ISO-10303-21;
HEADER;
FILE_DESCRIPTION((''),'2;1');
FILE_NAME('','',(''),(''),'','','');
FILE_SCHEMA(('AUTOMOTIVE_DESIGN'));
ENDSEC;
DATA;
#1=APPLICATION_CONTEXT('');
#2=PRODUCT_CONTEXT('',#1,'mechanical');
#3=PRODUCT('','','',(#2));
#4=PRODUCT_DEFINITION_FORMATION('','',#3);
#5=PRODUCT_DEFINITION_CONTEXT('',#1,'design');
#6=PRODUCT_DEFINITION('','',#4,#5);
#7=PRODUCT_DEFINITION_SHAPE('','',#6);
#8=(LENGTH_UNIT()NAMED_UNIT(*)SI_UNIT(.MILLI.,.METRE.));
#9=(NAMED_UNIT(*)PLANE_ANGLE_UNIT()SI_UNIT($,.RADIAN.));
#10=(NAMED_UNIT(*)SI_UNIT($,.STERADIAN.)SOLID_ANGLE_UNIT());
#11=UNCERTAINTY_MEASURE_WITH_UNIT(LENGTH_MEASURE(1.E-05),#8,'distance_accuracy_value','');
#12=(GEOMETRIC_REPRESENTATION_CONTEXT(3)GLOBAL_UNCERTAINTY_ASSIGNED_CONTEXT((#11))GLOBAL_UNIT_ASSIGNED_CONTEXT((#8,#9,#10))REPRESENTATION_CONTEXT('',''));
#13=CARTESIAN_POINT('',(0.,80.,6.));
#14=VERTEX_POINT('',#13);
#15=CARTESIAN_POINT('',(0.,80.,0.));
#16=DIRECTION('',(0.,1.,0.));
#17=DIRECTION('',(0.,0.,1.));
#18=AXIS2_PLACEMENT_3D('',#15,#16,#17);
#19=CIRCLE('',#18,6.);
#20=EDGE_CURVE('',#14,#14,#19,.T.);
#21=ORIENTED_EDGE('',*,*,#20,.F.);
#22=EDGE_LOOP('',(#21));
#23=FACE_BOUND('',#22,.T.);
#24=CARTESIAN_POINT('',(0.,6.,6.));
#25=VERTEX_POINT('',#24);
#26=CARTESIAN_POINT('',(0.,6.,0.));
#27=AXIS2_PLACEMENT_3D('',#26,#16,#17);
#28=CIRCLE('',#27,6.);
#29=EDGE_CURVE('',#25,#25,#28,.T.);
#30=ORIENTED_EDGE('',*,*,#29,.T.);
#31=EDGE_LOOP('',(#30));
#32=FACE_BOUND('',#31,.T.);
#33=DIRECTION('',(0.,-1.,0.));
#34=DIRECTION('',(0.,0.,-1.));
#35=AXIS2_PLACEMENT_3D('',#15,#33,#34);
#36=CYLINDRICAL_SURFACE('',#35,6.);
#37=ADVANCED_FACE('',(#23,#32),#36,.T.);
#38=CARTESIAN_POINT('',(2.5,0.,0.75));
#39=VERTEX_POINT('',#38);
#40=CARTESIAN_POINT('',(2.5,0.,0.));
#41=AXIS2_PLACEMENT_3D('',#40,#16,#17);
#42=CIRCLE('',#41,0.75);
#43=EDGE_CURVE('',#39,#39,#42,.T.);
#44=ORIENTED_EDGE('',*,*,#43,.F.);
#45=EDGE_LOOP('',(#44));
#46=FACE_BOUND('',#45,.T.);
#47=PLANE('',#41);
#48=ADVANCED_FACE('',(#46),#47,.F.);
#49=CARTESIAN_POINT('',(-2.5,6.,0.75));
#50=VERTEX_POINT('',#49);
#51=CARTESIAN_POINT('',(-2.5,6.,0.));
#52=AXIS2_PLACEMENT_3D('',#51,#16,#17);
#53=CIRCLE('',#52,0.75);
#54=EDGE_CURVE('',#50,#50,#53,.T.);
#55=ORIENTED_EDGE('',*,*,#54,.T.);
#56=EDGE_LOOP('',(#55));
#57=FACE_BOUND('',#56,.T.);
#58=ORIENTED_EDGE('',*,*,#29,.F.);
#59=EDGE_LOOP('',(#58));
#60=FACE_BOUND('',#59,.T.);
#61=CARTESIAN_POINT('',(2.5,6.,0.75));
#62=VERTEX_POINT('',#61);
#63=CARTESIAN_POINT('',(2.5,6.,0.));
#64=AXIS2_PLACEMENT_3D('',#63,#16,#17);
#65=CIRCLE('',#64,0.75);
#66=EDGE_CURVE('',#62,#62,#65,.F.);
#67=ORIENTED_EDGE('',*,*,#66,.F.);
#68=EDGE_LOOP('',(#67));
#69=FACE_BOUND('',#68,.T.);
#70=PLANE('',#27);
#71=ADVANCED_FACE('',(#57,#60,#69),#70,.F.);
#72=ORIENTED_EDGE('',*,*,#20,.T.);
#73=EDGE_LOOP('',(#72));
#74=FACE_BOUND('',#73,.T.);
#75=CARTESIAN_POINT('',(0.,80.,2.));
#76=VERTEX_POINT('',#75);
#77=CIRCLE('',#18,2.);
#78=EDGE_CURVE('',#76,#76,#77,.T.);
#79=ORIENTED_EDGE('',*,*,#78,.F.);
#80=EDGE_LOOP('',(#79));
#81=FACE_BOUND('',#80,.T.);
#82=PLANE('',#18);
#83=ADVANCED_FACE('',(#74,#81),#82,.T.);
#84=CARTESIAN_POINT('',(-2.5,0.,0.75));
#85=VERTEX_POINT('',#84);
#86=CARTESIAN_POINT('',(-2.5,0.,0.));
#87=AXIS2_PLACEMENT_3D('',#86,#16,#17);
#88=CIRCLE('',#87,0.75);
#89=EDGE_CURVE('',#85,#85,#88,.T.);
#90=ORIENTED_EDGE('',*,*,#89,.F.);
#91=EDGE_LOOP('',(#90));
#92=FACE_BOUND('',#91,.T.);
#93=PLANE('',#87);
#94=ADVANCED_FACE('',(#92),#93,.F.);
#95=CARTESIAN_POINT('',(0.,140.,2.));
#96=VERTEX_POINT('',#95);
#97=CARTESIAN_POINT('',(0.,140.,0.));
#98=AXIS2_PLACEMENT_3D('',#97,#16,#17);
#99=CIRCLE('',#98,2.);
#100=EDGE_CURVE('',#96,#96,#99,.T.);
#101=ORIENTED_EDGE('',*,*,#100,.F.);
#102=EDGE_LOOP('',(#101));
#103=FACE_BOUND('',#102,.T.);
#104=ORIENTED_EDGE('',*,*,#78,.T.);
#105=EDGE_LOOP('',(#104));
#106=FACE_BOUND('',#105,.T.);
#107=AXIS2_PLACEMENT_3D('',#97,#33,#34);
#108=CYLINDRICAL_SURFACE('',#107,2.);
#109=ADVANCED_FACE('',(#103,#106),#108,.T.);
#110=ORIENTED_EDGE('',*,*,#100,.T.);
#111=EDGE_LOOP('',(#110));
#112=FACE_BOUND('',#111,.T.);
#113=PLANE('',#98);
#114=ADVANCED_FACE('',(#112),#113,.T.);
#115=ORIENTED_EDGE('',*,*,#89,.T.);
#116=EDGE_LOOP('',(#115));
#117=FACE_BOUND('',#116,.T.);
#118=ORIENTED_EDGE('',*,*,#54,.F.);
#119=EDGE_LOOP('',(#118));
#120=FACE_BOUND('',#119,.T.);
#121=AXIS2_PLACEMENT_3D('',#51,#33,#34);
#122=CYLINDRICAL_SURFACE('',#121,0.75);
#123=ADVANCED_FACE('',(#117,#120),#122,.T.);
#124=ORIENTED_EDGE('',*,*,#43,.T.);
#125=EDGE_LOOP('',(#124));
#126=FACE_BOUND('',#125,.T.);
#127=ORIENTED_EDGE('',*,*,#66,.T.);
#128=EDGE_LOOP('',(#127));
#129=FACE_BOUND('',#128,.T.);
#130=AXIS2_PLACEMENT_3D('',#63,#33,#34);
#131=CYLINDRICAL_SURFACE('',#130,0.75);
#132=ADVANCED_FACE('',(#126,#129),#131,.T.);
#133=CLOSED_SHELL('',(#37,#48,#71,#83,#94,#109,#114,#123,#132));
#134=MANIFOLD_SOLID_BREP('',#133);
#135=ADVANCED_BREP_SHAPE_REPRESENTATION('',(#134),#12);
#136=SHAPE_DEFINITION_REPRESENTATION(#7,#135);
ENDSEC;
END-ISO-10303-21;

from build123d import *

# Parameters (mm, degrees)
SKETCH1_R   = 0.75
PIN_1_DEPTH = 6
SKETCH2_R   = 0.75
PIN_2_DEPTH = 6
BODY_START  = 6
SKETCH3_R   = 6
BODY_DEPTH  = 74
CABLE_START = 80
SKETCH4_R   = 2
CABLE_DEPTH = 60


with BuildPart() as part:
    # Sketch1 → Pin_1 (new body)
    with BuildSketch(Plane(origin=(0, 0, 0), x_dir=(1, 0, 0), z_dir=(0, 1, 0))):
        with Locations(Location((-2.5, 0, 0), (0, 0, 270))):
            Circle(SKETCH1_R)
    extrude(amount=PIN_1_DEPTH)



with BuildPart() as body_2:
    # Sketch2 → Pin_2 (new body)
    with BuildSketch(Plane(origin=(0, 0, 0), x_dir=(1, 0, 0), z_dir=(0, 1, 0))):
        with Locations(Location((2.5, 0, 0), (0, 0, 270))):
            Circle(SKETCH2_R)
    extrude(amount=PIN_2_DEPTH)


with BuildPart() as part_1:
    add(part.part)

    add(body_2.part)  # Body merges body 2
    # Sketch3 → Body (add)
    with BuildSketch(Plane(origin=(0, 0, 0), x_dir=(1, 0, 0), z_dir=(0, 1, 0)).offset(BODY_START)):
        with Locations(Location((0, 0, 0), (0, 0, 270))):
            Circle(SKETCH3_R)
    extrude(amount=BODY_DEPTH)

    # Sketch4 → Cable (add)
    with BuildSketch(Plane(origin=(0, 0, 0), x_dir=(1, 0, 0), z_dir=(0, 1, 0)).offset(CABLE_START)):
        with Locations(Location((0, 0, 0), (0, 0, 270))):
            Circle(SKETCH4_R)
    extrude(amount=CABLE_DEPTH)


solid = part_1.part
